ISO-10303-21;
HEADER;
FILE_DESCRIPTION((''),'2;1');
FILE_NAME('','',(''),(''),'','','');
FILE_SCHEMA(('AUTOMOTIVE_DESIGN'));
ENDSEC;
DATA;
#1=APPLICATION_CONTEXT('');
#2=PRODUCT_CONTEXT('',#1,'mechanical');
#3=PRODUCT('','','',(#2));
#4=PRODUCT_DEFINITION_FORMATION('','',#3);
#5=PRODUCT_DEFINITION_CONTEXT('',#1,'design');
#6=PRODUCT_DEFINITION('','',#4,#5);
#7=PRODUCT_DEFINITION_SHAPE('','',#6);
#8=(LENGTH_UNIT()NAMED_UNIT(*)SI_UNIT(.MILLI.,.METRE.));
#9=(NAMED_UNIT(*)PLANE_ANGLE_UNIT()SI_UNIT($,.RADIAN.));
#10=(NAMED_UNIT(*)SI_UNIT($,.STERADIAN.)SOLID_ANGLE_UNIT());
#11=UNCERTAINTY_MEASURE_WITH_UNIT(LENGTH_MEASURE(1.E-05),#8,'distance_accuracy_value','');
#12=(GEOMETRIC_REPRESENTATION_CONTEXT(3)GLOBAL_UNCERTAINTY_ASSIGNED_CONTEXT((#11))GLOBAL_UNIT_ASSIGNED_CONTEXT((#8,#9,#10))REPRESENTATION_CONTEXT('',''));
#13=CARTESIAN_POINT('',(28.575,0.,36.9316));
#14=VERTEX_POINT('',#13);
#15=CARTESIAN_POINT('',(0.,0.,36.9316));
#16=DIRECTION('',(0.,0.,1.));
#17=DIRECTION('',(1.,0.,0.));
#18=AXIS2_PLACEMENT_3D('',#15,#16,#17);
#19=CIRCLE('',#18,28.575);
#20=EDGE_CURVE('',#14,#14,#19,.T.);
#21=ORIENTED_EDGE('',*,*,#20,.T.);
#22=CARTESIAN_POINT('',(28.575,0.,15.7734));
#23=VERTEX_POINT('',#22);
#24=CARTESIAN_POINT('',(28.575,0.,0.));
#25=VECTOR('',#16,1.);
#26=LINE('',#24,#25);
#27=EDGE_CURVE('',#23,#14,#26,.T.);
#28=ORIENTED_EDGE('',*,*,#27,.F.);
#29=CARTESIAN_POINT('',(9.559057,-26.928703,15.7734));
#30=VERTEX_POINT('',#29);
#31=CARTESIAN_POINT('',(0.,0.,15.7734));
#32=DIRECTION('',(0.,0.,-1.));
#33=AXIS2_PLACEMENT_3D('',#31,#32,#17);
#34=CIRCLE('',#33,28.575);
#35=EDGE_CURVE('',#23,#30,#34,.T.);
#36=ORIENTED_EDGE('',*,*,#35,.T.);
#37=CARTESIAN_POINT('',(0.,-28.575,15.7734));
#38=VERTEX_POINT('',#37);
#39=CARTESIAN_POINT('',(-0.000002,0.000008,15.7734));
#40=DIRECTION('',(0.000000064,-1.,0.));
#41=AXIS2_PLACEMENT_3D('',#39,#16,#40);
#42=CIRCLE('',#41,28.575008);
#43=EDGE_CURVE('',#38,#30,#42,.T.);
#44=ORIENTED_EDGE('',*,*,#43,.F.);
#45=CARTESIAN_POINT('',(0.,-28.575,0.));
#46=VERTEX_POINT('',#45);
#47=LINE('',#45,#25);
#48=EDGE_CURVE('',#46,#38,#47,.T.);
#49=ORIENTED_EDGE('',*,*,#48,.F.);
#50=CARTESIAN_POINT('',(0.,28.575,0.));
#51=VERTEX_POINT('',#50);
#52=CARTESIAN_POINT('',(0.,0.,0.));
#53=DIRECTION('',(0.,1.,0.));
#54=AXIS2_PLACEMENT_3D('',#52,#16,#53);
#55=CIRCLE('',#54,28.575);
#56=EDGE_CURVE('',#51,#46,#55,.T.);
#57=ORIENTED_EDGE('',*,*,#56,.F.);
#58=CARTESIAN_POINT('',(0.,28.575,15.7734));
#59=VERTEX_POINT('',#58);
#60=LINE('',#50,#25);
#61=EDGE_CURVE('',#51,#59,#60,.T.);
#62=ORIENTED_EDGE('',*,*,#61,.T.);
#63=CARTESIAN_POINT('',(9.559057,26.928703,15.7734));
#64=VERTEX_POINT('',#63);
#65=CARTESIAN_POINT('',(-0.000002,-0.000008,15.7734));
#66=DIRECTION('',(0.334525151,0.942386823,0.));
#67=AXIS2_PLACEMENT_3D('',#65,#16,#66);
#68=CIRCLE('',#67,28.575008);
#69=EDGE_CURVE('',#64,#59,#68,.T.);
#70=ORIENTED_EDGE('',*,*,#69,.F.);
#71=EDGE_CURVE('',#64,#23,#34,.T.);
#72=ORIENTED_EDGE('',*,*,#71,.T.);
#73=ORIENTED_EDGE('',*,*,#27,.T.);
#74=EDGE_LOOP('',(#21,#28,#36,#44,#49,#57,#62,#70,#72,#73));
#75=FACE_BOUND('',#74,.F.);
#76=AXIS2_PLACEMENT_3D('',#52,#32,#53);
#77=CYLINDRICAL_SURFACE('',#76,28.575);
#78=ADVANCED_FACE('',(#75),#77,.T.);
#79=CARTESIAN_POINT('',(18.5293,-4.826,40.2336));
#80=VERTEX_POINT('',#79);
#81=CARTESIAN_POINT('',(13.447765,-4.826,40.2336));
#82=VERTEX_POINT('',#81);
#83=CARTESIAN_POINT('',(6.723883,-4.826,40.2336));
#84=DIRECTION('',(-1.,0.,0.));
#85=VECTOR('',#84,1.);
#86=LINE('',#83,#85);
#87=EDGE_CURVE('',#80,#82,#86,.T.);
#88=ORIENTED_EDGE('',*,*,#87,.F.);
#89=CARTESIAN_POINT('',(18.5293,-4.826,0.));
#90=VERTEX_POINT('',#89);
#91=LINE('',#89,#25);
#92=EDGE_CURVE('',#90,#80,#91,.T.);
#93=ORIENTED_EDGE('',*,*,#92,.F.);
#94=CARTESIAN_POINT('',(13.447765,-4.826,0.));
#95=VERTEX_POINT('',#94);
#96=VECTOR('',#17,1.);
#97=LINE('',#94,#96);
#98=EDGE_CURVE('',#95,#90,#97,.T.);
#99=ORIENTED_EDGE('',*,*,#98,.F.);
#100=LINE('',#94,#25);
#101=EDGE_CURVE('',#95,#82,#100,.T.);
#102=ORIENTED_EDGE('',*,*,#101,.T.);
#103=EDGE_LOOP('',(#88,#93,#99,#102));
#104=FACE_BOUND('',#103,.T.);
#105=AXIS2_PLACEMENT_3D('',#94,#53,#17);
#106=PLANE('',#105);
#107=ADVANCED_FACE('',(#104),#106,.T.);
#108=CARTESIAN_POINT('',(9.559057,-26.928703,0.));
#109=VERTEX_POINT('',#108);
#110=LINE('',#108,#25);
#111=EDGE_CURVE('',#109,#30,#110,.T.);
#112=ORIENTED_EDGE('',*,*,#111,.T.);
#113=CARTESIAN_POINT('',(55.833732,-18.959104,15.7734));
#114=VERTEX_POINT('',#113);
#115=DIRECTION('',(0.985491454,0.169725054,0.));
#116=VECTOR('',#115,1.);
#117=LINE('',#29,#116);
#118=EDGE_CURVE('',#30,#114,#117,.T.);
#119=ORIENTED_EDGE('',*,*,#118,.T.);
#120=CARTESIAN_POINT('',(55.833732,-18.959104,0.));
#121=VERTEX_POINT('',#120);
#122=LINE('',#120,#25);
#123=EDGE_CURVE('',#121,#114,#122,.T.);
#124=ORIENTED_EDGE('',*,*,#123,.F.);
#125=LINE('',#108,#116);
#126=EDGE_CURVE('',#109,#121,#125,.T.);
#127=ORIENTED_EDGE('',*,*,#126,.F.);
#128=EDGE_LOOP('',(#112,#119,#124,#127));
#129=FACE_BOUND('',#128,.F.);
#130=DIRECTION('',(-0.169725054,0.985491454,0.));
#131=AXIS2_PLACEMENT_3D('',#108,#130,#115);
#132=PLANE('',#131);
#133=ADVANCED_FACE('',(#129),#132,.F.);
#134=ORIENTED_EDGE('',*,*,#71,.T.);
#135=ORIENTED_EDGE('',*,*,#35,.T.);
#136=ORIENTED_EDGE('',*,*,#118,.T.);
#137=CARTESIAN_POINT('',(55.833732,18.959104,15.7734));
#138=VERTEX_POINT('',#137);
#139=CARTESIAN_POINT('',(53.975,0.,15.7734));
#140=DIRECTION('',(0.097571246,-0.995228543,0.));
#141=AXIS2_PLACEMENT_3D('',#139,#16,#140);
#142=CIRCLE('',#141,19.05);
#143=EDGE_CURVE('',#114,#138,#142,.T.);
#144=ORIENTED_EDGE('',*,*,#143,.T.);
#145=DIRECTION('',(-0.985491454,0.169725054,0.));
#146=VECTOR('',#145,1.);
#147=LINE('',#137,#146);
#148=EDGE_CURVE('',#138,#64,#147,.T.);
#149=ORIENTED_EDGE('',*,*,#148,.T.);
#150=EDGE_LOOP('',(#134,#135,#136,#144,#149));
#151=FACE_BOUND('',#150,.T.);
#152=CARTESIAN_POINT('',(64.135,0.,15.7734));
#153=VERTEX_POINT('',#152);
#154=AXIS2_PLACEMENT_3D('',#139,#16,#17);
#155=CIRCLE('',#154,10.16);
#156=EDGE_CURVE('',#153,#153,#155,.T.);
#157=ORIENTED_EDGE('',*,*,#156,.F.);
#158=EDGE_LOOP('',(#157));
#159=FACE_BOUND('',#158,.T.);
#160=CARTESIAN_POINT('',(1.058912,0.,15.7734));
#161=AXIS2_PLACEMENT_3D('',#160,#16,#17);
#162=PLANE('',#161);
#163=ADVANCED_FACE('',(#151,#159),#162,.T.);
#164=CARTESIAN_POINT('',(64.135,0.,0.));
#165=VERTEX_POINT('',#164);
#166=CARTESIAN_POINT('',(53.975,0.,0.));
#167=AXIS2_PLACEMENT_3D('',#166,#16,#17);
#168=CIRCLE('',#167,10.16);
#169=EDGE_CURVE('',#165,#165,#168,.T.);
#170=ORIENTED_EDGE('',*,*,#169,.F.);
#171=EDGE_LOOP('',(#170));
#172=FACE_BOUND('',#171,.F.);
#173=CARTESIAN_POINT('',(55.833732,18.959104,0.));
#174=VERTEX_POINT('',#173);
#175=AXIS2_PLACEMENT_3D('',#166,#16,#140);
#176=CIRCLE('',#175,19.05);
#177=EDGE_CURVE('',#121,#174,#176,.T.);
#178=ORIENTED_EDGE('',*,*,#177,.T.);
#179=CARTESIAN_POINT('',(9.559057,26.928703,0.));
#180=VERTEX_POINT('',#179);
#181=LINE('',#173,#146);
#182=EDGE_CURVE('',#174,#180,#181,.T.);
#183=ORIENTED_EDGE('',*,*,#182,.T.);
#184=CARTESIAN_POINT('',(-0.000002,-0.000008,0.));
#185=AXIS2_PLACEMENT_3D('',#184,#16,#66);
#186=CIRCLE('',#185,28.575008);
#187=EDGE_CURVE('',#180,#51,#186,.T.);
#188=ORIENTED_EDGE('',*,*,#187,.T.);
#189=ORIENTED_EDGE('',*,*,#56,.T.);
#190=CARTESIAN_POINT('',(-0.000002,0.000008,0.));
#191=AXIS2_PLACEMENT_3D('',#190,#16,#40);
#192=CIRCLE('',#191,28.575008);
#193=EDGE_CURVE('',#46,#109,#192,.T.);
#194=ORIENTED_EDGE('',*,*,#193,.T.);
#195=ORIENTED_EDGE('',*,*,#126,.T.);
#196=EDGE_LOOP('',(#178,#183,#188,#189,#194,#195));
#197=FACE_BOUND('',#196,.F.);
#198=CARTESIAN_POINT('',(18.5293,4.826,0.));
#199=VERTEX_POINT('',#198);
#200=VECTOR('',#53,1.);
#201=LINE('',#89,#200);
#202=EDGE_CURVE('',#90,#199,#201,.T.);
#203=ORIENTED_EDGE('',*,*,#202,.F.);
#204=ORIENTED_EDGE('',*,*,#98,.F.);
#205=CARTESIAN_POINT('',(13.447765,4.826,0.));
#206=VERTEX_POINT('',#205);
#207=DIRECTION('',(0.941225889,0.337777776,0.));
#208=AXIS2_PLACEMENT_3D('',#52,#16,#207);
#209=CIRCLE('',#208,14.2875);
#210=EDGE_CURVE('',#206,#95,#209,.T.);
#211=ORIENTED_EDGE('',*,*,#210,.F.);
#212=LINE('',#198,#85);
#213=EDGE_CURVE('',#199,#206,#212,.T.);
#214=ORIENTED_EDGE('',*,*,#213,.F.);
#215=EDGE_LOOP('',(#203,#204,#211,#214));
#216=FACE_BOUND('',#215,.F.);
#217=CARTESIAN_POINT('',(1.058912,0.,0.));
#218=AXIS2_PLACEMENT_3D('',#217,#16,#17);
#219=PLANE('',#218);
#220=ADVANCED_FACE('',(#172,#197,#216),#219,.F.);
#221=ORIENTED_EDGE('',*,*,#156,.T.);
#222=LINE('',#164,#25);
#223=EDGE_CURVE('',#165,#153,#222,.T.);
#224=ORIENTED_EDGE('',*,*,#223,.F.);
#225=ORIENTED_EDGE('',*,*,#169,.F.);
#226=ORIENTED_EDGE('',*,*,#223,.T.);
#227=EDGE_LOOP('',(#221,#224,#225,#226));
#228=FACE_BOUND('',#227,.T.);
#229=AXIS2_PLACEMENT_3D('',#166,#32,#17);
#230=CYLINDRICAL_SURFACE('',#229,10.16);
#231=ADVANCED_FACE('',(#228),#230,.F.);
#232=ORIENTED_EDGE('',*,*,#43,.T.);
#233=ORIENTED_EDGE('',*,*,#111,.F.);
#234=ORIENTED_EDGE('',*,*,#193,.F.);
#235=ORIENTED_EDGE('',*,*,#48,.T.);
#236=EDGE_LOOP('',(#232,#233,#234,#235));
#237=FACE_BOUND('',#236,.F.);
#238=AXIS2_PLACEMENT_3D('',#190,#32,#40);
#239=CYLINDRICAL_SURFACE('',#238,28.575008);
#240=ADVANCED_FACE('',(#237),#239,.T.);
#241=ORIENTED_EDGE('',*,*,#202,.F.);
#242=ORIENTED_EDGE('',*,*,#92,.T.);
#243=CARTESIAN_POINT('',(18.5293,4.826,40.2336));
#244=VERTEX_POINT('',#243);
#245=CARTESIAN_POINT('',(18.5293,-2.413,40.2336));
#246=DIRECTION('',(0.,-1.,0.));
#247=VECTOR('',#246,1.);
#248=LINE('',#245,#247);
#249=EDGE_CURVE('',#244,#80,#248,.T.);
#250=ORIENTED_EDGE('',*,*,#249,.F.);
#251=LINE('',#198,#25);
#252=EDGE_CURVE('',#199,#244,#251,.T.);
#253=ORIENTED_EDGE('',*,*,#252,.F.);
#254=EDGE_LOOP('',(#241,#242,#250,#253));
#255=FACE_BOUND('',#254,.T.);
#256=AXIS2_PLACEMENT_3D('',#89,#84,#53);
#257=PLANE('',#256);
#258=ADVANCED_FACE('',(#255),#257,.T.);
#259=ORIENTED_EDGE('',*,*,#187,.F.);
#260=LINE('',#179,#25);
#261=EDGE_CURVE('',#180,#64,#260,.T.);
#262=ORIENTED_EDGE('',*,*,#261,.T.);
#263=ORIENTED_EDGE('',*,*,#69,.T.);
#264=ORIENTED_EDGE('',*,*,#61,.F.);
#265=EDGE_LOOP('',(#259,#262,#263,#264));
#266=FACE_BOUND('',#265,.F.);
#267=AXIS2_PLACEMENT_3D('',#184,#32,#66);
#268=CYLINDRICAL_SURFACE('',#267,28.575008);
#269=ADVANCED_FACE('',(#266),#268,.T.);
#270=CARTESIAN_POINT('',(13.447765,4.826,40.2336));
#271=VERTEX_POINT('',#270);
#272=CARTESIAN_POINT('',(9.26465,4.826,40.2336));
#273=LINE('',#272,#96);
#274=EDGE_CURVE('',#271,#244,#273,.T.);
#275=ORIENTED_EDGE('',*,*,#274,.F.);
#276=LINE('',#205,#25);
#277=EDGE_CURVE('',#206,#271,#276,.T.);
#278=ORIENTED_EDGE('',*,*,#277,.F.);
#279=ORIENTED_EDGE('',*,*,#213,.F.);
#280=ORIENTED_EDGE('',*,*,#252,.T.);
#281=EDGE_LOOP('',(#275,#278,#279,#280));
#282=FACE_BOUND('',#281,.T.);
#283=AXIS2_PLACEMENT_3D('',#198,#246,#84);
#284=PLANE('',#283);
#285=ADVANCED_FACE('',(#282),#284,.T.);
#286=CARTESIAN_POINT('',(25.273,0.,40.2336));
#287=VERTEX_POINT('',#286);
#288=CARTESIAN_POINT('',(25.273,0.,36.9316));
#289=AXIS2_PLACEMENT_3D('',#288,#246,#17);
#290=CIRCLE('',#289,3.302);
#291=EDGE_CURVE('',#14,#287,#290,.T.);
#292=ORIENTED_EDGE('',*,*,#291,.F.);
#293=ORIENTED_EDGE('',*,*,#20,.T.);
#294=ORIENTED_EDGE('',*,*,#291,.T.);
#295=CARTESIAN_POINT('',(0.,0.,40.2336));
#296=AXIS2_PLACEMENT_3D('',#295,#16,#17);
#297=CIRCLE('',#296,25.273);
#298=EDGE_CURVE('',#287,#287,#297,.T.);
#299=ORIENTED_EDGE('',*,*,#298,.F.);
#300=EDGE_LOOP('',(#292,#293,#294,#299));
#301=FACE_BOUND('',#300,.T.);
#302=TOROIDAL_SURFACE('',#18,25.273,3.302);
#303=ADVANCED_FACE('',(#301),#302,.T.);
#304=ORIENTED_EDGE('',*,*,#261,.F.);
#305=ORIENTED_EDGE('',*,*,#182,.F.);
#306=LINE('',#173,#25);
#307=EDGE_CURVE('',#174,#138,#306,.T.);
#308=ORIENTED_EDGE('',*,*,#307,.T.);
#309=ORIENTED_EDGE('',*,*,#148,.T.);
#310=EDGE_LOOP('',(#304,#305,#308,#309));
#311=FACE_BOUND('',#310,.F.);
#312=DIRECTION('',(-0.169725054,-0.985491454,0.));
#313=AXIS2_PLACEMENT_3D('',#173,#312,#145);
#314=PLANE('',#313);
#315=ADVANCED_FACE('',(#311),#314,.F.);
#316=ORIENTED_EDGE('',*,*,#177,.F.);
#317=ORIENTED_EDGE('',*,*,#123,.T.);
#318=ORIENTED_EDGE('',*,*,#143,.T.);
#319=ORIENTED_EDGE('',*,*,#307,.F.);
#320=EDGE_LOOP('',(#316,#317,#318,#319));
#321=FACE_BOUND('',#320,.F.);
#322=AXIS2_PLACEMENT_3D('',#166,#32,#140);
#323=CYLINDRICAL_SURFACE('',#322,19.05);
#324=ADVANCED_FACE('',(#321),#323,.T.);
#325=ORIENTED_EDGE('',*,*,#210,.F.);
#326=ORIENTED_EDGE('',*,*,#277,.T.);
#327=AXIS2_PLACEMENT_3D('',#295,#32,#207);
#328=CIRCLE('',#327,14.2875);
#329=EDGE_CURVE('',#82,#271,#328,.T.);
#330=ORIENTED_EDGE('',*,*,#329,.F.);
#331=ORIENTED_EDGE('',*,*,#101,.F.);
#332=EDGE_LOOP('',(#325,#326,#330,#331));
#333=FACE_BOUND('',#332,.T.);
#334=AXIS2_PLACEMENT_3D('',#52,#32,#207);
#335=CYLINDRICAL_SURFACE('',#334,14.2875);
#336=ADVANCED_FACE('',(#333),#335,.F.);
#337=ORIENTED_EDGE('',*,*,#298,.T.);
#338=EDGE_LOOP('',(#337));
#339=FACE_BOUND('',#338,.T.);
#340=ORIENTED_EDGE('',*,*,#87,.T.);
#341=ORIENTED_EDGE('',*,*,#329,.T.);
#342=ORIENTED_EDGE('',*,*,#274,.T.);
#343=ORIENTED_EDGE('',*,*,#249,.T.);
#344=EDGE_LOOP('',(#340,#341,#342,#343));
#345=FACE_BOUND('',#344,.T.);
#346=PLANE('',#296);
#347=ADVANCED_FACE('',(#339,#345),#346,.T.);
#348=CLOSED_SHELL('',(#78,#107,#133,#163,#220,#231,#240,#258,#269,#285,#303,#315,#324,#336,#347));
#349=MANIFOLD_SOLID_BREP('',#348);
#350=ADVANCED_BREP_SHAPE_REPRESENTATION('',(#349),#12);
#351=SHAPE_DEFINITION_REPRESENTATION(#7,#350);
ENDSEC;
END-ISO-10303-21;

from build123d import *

# Parameters (mm, degrees)
F0_R     = 10.16
F1_DEPTH = 15.7734
F2_R     = 28.575
F3_DEPTH = 40.2336
F5_DEPTH = 40.2346
F6_R     = 3.302


with BuildPart() as f1:
    # F0 (on Top) → F1 (new body)
    with BuildSketch(Plane.XY):
        with BuildLine():
            Line((9.559057, 26.928703), (0, 28.575))
            ThreePointArc((0, 28.575), (-28.575, 0), (0, -28.575))
            Line((0, -28.575), (9.559057, -26.928703))
            ThreePointArc((9.559057, -26.928703), (23.341815, -16.48303), (28.575, 0))
            ThreePointArc((28.575, 0), (23.341815, 16.48303), (9.559057, 26.928703))
        make_face()
        with BuildLine():
            ThreePointArc((13.447765, -4.826), (-14.2875, 0), (13.447765, 4.826))
            Line((13.447765, 4.826), (18.5293, 4.826))
            Line((18.5293, 4.826), (18.5293, 0))
            Line((18.5293, 0), (18.5293, -4.826))
            Line((18.5293, -4.826), (13.447765, -4.826))
        make_face(mode=Mode.SUBTRACT)
        with BuildLine():
            ThreePointArc((9.559057, 26.928703), (4.849894, 28.160418), (0, 28.575))
            Line((0, 28.575), (9.559057, 26.928703))
        make_face()
        with BuildLine():
            Line((9.559057, -26.928703), (0, -28.575))
            ThreePointArc((0, -28.575), (4.849894, -28.160418), (9.559057, -26.928703))
        make_face()
        with BuildLine():
            Line((55.833732, 18.959104), (9.559057, 26.928703))
            ThreePointArc((9.559057, 26.928703), (23.341815, 16.48303), (28.575, 0))
            ThreePointArc((28.575, 0), (23.341815, -16.48303), (9.559057, -26.928703))
            Line((9.559057, -26.928703), (55.833732, -18.959104))
            ThreePointArc((55.833732, -18.959104), (73.025, 0), (55.833732, 18.959104))
        make_face()
        with Locations((53.975, 0)):
            Circle(F0_R, mode=Mode.SUBTRACT)
    extrude(amount=F1_DEPTH)

    # F2 (on Top) → F3 (join)
    with BuildSketch(Plane.XY):
        Circle(F2_R)
    extrude(amount=F3_DEPTH)

    # F4 (on Top) → F5 (cut, through all)
    with BuildSketch(Plane.XY):
        with BuildLine():
            Line((18.5293, 4.826), (13.447765, 4.826))
            ThreePointArc((13.447765, 4.826), (-14.2875, 0), (13.447765, -4.826))
            Line((13.447765, -4.826), (18.5293, -4.826))
            Line((18.5293, -4.826), (18.5293, 0))
            Line((18.5293, 0), (18.5293, 4.826))
        make_face()
    extrude(amount=F5_DEPTH, mode=Mode.SUBTRACT)

    # F6
    f6_edges = [f1.edges().sort_by_distance(p)[0] for p in [
        (-28.575, 0, 40.2336),
    ]]
    fillet(f6_edges, radius=F6_R)


solid = f1.part
